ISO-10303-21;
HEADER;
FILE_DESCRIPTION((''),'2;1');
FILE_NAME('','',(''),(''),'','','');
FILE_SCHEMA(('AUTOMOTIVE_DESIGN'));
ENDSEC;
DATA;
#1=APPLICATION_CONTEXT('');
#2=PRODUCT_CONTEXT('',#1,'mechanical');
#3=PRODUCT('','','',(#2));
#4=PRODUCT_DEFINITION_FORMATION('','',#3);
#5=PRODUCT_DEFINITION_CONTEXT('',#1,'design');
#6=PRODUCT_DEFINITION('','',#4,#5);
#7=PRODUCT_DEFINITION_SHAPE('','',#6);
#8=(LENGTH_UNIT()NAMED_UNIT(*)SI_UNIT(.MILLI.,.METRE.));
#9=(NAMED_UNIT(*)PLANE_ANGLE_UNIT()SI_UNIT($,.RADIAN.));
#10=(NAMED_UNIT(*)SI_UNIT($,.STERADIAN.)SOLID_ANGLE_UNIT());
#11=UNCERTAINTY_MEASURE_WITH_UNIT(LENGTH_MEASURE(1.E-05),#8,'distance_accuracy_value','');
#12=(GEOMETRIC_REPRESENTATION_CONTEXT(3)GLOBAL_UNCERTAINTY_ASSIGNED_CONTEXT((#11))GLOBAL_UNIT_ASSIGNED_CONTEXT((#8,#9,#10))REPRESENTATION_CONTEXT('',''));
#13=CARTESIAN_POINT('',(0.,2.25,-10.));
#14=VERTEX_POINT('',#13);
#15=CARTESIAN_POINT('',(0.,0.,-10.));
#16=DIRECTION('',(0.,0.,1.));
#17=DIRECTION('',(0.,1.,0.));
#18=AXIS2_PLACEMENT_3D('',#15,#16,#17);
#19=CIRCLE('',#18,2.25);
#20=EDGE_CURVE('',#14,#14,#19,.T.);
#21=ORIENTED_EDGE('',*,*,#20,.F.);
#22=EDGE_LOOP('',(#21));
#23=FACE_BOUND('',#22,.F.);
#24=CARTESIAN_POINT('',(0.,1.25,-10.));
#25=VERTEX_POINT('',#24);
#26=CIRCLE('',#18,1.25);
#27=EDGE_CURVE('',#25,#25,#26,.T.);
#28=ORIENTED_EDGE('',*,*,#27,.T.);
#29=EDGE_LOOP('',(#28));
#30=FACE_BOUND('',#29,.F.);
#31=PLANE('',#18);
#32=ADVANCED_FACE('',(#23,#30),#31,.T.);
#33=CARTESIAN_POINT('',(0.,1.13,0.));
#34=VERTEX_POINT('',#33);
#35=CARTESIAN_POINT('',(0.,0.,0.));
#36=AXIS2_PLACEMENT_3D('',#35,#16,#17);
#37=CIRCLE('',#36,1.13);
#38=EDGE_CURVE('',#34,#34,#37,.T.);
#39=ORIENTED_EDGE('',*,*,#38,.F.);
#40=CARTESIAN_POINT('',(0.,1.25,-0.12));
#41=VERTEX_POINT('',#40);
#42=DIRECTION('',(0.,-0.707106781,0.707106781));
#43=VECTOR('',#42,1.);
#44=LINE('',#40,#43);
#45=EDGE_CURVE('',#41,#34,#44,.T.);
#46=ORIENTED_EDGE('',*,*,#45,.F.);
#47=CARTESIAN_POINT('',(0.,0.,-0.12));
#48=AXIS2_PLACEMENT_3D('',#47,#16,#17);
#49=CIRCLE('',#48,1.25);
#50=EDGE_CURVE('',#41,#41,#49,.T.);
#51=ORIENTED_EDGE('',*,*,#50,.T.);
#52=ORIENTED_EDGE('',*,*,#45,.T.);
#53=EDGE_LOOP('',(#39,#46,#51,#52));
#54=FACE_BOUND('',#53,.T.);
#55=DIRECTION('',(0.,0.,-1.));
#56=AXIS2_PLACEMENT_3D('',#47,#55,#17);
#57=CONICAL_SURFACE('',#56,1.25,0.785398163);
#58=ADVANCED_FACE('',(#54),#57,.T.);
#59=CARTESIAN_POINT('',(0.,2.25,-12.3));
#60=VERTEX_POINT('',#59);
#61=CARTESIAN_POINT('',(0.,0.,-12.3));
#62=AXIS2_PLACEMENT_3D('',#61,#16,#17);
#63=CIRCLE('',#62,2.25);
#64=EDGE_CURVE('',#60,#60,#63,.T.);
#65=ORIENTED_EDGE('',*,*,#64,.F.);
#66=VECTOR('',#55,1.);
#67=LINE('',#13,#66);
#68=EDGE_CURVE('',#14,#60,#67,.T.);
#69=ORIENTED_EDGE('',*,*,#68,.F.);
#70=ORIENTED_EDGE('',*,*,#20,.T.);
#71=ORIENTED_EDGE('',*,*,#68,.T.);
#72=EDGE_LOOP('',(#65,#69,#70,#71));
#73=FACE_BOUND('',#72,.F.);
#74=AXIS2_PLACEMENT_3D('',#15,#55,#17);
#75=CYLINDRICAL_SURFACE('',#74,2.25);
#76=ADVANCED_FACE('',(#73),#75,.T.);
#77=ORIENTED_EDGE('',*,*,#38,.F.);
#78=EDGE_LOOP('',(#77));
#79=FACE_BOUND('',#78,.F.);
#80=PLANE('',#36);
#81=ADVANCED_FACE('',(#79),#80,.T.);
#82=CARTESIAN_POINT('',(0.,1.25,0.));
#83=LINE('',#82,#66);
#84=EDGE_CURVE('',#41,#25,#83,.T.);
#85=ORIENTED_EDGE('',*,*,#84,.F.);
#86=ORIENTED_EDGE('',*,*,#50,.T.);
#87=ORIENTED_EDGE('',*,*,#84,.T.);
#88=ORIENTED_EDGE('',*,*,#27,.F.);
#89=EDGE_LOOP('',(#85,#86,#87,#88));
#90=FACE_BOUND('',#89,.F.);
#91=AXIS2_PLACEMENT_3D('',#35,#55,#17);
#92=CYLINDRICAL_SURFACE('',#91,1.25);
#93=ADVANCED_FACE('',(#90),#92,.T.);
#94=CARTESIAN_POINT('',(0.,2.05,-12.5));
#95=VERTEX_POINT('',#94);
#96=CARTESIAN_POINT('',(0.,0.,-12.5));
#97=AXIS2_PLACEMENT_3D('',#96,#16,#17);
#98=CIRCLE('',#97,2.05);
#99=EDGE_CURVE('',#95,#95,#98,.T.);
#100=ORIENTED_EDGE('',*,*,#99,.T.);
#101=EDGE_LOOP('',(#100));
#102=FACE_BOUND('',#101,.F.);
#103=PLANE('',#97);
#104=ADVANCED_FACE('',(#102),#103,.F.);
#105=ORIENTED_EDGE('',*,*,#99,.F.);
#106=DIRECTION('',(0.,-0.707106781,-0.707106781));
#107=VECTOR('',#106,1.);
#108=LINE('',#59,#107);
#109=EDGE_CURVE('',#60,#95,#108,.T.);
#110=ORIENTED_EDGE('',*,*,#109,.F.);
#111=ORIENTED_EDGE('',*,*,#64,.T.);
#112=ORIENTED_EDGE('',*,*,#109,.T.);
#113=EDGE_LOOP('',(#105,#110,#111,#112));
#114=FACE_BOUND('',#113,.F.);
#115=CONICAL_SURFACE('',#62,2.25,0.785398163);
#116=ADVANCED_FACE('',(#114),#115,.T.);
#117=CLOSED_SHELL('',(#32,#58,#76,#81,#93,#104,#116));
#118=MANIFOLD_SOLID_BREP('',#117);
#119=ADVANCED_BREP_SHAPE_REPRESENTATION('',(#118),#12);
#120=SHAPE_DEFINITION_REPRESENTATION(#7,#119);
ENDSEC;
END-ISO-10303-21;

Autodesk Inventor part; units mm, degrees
ref_plane "YZ Plane" through (0, 0, 0) normal (1, 0, 0) x (0, 1, 0)
ref_plane "XZ Plane" through (0, 0, 0) normal (0, 1, 0) x (-1, 0, 0)
ref_plane "XY Plane" through (0, 0, 0) normal (0, 0, 1) x (1, 0, 0)
sketch "スケッチ1" plane through (0, 0, 0) normal (1, 0, 0) x (0, 1, 0)
  line L0 (0, 0) -> (1.25, 0)
  line L1 (1.25, 0) -> (1.25, -10)
  line L2 (1.25, -10) -> (0, -10)
  line L3 (0, -10) -> (0, 0)
  line L4 (0, -10) -> (2.25, -10)
  line L5 (2.25, -10) -> (2.25, -12.5)
  line L6 (2.25, -12.5) -> (0, -12.5)
  line L7 (0, -12.5) -> (0, -10)
  line L8 (2.25, -12.3) -> (2.05, -12.5)
  line L9 (1.25, -0.12) -> (1.13, 0)
  point P0 (2.25, -11.25)
  point P1 (1.25, -10)
  dimension "d0" = 45
  dimension "d1" = 2.25
  dimension "d2" = 2.5
  dimension "d3" = 10
  dimension "d7" = 1.25
  dimension "d10" = 45
  dimension "d11" = 0.2
  dimension "d12" = 0.12
revolve "回転1" add sketch "スケッチ1" angle 360 about axis through (0, 0, -10) along (0, 0, 1) contours L0 L9 L1 L2 L3 | L2 L4 L5 L8 L6 L7
thread "ねじ2" size "M2.5x0.45" class "6g" standard "ANSI Metric M Profile" length 30
properties part number "CSH-316L-M2_5-10" material "ステンレス鋼"
